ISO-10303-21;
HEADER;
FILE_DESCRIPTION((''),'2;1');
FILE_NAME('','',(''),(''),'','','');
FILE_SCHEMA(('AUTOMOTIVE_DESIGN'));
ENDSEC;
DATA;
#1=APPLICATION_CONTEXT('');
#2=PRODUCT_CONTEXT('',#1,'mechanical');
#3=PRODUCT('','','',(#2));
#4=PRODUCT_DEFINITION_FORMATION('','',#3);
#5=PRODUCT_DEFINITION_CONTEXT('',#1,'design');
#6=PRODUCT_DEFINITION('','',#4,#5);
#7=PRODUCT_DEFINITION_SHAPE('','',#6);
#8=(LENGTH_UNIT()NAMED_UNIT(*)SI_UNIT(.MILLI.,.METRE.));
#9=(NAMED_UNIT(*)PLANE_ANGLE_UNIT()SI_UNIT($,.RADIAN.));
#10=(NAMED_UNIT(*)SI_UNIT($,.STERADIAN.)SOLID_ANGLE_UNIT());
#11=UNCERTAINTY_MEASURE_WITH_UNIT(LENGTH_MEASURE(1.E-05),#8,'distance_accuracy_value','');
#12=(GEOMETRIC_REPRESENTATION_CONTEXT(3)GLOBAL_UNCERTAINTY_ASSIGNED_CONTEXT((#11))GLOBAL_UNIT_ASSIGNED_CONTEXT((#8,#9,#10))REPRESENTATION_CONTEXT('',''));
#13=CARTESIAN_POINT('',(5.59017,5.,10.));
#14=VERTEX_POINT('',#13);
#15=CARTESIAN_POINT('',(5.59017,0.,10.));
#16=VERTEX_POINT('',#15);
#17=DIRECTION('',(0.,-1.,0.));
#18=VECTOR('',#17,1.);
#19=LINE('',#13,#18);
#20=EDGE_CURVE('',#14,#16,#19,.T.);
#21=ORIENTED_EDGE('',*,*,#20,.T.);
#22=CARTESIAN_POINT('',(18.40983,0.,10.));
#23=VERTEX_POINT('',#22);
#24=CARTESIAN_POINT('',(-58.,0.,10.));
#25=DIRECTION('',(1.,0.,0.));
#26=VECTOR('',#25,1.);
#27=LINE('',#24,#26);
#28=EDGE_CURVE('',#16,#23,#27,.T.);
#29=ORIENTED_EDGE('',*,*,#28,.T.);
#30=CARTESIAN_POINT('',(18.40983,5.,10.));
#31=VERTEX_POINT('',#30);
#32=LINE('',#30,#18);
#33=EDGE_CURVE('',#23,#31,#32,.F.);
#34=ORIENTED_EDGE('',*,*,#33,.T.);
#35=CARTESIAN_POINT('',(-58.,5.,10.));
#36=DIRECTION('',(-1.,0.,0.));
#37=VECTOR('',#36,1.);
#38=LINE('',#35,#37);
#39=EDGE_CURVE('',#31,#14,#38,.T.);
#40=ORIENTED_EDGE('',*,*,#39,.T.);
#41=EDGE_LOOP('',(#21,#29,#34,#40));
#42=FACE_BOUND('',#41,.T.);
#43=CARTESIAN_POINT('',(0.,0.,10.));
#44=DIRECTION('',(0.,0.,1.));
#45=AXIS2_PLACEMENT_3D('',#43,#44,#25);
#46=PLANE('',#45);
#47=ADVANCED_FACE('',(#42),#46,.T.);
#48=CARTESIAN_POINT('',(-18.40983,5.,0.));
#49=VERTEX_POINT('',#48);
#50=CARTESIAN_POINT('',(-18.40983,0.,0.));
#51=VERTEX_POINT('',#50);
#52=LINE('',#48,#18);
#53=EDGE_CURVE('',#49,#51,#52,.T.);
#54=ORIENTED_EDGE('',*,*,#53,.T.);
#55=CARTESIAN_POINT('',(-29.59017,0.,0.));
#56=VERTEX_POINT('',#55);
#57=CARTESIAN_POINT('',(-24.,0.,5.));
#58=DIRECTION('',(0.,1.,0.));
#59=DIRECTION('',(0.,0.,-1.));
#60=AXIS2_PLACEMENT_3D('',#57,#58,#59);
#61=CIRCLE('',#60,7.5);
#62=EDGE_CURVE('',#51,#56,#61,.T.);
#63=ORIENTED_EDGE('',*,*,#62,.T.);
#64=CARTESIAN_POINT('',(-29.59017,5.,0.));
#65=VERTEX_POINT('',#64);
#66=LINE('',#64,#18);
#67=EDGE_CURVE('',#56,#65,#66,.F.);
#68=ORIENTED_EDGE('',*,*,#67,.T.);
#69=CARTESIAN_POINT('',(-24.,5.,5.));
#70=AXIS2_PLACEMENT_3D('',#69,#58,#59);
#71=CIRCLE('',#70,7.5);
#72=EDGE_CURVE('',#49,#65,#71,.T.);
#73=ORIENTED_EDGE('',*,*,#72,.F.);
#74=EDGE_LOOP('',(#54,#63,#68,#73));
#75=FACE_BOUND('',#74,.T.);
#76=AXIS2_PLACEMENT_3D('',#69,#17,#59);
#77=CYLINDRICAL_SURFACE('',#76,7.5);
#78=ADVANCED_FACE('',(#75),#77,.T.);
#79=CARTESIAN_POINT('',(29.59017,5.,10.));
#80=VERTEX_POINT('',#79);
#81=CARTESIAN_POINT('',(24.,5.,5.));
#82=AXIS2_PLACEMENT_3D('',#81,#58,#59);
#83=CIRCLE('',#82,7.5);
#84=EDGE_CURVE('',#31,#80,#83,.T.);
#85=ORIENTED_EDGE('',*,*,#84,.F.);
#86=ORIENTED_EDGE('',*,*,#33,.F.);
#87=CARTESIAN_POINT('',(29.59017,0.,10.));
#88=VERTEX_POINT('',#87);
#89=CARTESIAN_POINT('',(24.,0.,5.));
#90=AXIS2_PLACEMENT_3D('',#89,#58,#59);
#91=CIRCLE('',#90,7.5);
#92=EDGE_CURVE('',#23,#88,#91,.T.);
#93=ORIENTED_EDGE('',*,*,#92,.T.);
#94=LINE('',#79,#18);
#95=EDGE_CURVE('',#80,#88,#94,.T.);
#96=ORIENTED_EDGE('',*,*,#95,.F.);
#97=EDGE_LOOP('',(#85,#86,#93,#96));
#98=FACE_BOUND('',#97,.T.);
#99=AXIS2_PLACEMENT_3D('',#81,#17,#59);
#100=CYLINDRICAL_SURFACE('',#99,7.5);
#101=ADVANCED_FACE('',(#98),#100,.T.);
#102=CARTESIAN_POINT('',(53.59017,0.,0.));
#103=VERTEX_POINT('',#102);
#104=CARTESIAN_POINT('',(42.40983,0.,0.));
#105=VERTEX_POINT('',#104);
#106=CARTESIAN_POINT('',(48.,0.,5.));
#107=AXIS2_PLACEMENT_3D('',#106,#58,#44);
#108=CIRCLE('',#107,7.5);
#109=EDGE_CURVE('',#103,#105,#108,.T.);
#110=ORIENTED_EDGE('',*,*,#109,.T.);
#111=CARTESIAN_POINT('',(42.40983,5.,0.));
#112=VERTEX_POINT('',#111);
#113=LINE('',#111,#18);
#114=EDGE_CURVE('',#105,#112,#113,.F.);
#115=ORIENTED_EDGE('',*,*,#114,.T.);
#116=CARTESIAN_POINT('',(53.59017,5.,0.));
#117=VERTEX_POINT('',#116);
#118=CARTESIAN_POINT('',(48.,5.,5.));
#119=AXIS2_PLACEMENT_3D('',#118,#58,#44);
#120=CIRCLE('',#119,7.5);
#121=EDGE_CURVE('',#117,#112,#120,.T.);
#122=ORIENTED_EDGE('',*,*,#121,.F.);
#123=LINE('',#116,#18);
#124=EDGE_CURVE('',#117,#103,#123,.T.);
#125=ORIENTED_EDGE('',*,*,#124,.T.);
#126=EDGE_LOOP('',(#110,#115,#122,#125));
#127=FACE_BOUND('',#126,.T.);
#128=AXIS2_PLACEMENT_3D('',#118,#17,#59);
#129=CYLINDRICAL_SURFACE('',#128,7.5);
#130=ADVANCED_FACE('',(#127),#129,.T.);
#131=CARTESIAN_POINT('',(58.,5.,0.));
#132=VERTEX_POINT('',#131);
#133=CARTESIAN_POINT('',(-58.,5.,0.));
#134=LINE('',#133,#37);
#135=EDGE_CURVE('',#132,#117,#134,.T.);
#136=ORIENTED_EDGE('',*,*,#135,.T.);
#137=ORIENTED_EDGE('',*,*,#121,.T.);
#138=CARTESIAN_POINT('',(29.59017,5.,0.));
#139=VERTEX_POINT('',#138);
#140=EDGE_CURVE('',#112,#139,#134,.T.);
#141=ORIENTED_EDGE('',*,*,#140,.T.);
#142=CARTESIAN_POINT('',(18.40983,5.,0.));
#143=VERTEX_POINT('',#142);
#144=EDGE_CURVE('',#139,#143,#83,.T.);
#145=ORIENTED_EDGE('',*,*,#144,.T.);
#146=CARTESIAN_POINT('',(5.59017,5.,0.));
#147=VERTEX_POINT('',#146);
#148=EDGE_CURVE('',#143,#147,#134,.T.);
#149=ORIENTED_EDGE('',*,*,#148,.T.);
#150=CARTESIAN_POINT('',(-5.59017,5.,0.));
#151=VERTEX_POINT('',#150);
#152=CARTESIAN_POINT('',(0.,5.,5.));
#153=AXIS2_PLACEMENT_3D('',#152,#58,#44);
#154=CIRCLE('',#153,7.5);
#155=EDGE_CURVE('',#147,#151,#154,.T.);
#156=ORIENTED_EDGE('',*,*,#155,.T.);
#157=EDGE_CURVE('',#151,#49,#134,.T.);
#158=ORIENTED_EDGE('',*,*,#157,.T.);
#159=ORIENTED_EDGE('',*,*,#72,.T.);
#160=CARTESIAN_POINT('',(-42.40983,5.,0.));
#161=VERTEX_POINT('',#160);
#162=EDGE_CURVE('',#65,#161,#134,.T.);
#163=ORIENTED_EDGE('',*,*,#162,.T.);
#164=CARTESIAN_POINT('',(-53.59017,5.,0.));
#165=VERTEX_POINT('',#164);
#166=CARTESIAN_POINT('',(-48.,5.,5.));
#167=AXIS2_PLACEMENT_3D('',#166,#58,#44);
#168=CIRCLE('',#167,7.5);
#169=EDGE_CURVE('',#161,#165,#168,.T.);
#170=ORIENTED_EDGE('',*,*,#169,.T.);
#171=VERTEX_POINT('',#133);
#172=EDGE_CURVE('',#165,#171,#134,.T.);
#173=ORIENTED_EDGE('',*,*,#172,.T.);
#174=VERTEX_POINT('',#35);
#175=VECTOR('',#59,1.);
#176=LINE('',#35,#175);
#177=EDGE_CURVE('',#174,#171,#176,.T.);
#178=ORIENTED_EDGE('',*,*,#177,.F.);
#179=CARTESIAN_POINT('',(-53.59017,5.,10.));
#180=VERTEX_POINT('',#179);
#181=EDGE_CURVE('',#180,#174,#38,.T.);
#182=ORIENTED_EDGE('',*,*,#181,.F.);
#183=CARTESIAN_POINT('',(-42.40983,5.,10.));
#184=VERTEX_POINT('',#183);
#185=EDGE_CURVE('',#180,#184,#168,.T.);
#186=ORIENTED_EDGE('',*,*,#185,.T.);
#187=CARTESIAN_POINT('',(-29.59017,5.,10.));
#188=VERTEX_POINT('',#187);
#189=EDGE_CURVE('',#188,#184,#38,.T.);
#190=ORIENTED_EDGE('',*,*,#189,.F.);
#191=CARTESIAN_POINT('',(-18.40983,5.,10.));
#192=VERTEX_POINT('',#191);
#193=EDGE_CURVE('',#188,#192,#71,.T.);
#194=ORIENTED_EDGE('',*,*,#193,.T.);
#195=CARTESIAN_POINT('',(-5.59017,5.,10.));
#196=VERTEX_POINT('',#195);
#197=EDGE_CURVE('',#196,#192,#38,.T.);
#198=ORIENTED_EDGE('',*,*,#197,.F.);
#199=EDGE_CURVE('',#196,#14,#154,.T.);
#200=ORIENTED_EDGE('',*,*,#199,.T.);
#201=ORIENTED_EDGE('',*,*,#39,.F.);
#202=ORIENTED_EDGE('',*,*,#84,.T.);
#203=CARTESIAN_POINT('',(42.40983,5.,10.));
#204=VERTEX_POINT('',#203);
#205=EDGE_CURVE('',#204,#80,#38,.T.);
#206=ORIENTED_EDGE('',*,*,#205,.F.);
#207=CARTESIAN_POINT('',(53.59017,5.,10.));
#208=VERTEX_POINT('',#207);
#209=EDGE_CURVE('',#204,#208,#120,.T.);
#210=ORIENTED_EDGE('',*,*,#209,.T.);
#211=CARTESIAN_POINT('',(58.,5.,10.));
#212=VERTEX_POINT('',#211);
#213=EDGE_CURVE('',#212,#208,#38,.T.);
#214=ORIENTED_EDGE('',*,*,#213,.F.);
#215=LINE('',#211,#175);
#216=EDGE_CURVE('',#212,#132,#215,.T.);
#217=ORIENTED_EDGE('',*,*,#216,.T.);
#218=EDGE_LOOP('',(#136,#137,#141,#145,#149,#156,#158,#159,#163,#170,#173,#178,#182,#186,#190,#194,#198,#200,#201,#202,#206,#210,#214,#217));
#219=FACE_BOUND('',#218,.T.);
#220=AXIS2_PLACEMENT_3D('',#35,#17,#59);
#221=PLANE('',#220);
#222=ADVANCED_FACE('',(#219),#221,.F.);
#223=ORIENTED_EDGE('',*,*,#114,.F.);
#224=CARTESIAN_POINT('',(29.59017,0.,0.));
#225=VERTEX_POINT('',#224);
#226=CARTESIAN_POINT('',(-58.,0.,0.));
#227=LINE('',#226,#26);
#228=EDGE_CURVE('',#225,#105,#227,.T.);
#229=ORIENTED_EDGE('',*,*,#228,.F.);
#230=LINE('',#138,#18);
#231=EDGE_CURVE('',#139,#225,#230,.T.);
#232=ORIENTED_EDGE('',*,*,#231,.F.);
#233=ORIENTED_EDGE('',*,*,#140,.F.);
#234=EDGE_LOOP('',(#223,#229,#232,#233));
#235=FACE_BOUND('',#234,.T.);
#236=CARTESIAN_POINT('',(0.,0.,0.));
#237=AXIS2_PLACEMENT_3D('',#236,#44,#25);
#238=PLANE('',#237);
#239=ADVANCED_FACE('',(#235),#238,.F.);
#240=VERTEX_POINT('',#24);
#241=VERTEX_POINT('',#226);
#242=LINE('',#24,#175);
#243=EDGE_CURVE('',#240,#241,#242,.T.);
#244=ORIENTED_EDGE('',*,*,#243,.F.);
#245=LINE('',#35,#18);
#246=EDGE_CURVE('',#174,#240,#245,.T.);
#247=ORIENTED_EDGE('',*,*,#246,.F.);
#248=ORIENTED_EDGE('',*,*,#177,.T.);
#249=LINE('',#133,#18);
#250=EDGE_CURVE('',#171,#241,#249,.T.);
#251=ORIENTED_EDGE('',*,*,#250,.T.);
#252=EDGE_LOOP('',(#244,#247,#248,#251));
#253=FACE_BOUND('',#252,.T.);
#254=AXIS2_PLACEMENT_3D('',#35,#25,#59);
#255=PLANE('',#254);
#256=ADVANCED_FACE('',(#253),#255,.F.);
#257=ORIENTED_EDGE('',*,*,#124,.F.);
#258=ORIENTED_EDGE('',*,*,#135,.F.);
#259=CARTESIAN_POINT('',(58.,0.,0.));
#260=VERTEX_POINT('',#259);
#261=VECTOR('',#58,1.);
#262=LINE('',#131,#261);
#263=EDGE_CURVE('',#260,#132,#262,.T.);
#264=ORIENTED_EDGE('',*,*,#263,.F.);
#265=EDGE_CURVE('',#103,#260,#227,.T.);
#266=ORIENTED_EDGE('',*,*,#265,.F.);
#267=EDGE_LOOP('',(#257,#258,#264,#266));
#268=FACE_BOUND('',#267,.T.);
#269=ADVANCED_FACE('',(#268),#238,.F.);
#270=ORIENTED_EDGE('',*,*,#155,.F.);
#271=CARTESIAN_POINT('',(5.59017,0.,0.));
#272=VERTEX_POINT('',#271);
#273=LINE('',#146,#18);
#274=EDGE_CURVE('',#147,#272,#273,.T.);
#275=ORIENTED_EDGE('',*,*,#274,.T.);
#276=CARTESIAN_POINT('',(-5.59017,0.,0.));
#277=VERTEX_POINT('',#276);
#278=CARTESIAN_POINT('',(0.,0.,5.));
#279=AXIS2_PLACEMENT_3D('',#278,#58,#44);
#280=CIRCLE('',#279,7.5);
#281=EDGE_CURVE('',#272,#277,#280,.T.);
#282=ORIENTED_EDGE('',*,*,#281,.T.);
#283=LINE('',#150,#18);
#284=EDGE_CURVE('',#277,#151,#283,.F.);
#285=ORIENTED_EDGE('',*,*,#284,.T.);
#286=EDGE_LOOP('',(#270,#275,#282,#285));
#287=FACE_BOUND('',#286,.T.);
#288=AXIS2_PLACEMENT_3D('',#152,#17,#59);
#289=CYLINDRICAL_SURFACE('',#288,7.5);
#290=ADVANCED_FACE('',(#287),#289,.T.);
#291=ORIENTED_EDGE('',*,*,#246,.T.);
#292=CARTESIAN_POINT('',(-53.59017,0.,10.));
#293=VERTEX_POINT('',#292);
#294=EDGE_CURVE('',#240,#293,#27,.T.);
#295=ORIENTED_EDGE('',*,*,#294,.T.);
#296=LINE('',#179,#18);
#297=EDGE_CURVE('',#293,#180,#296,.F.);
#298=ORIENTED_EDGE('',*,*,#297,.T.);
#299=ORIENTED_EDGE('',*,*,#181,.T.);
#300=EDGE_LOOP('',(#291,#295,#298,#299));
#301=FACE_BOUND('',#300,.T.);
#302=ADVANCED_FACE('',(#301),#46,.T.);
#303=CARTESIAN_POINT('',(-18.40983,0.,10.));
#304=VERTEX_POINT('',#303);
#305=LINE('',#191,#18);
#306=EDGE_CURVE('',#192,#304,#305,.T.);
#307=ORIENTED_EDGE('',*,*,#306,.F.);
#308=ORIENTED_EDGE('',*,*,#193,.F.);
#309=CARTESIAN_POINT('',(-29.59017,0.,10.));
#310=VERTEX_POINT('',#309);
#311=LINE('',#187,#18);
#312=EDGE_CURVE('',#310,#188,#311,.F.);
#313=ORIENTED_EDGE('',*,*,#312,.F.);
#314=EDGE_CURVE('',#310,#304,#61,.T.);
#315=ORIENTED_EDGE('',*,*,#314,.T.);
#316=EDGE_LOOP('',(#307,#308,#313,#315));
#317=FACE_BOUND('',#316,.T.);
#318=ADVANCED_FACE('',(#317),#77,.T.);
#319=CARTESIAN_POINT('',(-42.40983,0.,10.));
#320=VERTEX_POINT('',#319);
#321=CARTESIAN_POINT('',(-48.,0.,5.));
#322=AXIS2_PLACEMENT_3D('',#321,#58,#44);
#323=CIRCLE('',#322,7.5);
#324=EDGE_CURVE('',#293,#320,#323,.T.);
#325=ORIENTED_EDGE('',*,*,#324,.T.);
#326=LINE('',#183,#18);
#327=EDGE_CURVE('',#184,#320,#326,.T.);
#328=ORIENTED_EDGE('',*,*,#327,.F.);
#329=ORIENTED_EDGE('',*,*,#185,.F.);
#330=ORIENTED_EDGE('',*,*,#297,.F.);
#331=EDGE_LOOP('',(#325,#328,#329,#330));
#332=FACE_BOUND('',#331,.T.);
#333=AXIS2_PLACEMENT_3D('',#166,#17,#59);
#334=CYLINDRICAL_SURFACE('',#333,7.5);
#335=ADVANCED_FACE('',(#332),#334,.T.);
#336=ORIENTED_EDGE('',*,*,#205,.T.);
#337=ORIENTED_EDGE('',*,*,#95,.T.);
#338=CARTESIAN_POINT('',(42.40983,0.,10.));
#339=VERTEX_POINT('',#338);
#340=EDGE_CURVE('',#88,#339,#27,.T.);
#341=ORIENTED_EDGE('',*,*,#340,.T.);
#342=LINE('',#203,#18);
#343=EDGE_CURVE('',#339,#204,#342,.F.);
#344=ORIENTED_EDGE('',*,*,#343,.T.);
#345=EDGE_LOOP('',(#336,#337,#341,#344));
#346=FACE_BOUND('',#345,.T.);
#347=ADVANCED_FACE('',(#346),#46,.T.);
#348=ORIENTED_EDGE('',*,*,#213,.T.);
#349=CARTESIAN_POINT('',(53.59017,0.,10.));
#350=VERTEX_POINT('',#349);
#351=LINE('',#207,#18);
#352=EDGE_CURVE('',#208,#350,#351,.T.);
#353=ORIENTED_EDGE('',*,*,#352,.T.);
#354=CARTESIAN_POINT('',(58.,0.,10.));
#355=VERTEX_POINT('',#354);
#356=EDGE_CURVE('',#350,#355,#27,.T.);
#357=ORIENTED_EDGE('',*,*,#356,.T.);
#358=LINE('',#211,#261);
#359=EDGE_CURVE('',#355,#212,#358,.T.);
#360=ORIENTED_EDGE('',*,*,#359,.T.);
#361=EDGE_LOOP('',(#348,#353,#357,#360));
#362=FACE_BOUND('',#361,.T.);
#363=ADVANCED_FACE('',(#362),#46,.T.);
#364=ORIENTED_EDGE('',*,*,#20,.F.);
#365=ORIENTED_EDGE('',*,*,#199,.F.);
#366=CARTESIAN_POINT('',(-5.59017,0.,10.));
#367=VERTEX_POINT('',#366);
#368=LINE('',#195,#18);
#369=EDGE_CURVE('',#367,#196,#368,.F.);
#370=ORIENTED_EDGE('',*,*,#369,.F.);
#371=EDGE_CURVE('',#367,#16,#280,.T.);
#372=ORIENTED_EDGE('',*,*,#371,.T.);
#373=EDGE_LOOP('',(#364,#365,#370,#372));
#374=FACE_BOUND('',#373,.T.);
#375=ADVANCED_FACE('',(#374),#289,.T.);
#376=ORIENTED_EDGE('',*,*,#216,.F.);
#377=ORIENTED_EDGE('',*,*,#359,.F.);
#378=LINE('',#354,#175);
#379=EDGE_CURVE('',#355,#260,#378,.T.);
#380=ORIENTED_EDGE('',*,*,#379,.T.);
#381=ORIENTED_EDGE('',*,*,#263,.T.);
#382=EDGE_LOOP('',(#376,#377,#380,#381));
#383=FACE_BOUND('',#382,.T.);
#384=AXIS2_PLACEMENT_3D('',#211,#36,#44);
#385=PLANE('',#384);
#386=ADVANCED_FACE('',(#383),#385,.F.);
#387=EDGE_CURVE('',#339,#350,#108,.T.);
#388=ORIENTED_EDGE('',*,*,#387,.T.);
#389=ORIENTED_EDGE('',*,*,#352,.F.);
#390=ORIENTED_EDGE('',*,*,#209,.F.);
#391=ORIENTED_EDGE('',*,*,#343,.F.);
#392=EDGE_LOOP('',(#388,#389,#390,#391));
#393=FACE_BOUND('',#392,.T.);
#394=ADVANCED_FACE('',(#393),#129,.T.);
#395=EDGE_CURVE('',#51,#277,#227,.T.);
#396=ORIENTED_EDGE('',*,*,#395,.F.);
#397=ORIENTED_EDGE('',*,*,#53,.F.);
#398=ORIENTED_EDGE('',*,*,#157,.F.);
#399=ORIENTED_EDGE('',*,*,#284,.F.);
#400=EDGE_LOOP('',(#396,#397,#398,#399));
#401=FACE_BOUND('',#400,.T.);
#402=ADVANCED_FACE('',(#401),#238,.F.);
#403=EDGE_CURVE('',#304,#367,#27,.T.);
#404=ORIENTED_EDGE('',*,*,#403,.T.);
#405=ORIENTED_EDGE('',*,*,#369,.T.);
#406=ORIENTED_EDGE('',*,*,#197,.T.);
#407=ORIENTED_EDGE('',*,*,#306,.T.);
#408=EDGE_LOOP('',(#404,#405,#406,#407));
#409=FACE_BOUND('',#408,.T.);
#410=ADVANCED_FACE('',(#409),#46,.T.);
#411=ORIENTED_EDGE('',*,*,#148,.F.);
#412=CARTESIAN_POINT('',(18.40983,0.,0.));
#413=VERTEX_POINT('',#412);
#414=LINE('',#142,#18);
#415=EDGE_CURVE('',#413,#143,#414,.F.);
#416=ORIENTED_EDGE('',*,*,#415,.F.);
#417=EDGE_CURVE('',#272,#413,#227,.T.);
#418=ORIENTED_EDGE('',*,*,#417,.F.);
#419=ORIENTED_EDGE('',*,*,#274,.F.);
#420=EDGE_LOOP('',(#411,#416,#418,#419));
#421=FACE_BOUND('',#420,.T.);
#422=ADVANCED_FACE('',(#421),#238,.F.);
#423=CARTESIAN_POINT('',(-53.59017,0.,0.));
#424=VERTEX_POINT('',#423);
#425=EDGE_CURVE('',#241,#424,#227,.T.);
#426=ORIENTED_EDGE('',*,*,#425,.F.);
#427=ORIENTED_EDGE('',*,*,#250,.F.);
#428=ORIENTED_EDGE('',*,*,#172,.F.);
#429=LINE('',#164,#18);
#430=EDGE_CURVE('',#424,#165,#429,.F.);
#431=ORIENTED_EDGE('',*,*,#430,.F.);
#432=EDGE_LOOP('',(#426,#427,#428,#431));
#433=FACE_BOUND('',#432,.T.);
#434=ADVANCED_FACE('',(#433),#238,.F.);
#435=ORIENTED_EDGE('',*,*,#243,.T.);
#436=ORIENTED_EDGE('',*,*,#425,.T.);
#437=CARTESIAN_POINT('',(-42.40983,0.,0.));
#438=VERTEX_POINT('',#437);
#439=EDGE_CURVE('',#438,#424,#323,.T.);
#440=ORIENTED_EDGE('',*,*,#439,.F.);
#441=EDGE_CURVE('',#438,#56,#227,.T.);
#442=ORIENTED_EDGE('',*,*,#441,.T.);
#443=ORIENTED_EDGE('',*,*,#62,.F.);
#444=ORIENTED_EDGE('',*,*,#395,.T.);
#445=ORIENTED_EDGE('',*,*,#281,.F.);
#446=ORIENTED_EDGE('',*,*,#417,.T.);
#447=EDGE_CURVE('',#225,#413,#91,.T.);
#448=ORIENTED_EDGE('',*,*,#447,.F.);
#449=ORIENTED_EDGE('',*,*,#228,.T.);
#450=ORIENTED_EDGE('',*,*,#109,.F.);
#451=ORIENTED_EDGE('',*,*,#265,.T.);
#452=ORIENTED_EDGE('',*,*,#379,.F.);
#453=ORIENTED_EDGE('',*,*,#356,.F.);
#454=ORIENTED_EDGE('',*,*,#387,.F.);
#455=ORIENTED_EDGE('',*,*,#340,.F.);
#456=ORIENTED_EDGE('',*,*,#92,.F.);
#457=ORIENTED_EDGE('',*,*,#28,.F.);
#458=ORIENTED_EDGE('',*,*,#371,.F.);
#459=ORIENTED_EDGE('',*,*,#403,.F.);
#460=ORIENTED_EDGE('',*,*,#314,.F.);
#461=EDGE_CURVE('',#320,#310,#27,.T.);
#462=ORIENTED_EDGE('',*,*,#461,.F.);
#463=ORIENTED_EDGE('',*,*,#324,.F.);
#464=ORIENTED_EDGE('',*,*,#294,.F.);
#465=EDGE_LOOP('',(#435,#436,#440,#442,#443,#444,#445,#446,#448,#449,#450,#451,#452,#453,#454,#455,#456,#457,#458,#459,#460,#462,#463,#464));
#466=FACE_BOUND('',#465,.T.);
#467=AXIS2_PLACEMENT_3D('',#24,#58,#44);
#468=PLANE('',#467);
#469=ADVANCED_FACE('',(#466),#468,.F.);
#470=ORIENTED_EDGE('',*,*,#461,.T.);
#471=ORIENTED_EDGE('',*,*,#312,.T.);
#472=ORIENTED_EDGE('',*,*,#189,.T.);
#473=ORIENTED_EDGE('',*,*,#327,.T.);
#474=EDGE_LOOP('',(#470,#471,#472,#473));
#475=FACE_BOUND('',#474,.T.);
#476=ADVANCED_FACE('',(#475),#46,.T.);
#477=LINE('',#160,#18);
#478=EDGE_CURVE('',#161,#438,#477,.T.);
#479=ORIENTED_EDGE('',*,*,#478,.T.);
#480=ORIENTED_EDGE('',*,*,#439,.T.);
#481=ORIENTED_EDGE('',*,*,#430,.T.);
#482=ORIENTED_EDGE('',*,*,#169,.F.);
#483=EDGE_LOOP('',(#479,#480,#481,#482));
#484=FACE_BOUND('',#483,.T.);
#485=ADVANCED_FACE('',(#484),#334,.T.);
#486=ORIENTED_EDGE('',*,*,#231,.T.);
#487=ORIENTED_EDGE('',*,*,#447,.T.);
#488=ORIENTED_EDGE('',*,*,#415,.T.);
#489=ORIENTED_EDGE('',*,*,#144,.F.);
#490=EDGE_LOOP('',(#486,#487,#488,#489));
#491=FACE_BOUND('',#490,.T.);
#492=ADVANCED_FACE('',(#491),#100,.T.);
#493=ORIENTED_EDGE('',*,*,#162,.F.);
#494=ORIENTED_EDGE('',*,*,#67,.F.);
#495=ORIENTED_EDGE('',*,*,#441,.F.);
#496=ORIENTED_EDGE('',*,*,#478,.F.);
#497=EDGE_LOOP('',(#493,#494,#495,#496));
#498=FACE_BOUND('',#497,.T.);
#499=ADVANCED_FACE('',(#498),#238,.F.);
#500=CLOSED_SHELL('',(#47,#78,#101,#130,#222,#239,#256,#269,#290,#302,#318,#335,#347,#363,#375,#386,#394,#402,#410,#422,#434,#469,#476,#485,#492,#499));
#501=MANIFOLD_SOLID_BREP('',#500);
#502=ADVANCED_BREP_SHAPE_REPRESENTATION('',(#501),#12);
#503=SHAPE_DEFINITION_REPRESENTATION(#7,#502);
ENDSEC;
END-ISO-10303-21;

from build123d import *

# Parameters (mm, degrees)
ESQUISSE1_W        = 116
ESQUISSE1_H        = 5
BOSS_EXTRU_1_DEPTH = 10
ESQUISSE3_R        = 7.5
BOSS_EXTRU_3_DEPTH = 5


with BuildPart() as part:
    # Esquisse1 → Boss.-Extru.1 (new body)
    with BuildSketch(Plane.XY):
        with Locations((0, 2.5)):
            Rectangle(ESQUISSE1_W, ESQUISSE1_H)
    extrude(amount=BOSS_EXTRU_1_DEPTH)

    # Esquisse3 → Boss.-Extru.3 (add)
    with BuildSketch(Plane(origin=(0, 0, 0), x_dir=(1, 0, 0), z_dir=(0, 1, 0))):
        with Locations((-48, -5)):
            Circle(ESQUISSE3_R)
        with Locations((-24, -5)):
            Circle(ESQUISSE3_R)
        with Locations((0, -5)):
            Circle(ESQUISSE3_R)
        with Locations((24, -5)):
            Circle(ESQUISSE3_R)
        with Locations((48, -5)):
            Circle(ESQUISSE3_R)
    extrude(amount=BOSS_EXTRU_3_DEPTH)


solid = part.part
